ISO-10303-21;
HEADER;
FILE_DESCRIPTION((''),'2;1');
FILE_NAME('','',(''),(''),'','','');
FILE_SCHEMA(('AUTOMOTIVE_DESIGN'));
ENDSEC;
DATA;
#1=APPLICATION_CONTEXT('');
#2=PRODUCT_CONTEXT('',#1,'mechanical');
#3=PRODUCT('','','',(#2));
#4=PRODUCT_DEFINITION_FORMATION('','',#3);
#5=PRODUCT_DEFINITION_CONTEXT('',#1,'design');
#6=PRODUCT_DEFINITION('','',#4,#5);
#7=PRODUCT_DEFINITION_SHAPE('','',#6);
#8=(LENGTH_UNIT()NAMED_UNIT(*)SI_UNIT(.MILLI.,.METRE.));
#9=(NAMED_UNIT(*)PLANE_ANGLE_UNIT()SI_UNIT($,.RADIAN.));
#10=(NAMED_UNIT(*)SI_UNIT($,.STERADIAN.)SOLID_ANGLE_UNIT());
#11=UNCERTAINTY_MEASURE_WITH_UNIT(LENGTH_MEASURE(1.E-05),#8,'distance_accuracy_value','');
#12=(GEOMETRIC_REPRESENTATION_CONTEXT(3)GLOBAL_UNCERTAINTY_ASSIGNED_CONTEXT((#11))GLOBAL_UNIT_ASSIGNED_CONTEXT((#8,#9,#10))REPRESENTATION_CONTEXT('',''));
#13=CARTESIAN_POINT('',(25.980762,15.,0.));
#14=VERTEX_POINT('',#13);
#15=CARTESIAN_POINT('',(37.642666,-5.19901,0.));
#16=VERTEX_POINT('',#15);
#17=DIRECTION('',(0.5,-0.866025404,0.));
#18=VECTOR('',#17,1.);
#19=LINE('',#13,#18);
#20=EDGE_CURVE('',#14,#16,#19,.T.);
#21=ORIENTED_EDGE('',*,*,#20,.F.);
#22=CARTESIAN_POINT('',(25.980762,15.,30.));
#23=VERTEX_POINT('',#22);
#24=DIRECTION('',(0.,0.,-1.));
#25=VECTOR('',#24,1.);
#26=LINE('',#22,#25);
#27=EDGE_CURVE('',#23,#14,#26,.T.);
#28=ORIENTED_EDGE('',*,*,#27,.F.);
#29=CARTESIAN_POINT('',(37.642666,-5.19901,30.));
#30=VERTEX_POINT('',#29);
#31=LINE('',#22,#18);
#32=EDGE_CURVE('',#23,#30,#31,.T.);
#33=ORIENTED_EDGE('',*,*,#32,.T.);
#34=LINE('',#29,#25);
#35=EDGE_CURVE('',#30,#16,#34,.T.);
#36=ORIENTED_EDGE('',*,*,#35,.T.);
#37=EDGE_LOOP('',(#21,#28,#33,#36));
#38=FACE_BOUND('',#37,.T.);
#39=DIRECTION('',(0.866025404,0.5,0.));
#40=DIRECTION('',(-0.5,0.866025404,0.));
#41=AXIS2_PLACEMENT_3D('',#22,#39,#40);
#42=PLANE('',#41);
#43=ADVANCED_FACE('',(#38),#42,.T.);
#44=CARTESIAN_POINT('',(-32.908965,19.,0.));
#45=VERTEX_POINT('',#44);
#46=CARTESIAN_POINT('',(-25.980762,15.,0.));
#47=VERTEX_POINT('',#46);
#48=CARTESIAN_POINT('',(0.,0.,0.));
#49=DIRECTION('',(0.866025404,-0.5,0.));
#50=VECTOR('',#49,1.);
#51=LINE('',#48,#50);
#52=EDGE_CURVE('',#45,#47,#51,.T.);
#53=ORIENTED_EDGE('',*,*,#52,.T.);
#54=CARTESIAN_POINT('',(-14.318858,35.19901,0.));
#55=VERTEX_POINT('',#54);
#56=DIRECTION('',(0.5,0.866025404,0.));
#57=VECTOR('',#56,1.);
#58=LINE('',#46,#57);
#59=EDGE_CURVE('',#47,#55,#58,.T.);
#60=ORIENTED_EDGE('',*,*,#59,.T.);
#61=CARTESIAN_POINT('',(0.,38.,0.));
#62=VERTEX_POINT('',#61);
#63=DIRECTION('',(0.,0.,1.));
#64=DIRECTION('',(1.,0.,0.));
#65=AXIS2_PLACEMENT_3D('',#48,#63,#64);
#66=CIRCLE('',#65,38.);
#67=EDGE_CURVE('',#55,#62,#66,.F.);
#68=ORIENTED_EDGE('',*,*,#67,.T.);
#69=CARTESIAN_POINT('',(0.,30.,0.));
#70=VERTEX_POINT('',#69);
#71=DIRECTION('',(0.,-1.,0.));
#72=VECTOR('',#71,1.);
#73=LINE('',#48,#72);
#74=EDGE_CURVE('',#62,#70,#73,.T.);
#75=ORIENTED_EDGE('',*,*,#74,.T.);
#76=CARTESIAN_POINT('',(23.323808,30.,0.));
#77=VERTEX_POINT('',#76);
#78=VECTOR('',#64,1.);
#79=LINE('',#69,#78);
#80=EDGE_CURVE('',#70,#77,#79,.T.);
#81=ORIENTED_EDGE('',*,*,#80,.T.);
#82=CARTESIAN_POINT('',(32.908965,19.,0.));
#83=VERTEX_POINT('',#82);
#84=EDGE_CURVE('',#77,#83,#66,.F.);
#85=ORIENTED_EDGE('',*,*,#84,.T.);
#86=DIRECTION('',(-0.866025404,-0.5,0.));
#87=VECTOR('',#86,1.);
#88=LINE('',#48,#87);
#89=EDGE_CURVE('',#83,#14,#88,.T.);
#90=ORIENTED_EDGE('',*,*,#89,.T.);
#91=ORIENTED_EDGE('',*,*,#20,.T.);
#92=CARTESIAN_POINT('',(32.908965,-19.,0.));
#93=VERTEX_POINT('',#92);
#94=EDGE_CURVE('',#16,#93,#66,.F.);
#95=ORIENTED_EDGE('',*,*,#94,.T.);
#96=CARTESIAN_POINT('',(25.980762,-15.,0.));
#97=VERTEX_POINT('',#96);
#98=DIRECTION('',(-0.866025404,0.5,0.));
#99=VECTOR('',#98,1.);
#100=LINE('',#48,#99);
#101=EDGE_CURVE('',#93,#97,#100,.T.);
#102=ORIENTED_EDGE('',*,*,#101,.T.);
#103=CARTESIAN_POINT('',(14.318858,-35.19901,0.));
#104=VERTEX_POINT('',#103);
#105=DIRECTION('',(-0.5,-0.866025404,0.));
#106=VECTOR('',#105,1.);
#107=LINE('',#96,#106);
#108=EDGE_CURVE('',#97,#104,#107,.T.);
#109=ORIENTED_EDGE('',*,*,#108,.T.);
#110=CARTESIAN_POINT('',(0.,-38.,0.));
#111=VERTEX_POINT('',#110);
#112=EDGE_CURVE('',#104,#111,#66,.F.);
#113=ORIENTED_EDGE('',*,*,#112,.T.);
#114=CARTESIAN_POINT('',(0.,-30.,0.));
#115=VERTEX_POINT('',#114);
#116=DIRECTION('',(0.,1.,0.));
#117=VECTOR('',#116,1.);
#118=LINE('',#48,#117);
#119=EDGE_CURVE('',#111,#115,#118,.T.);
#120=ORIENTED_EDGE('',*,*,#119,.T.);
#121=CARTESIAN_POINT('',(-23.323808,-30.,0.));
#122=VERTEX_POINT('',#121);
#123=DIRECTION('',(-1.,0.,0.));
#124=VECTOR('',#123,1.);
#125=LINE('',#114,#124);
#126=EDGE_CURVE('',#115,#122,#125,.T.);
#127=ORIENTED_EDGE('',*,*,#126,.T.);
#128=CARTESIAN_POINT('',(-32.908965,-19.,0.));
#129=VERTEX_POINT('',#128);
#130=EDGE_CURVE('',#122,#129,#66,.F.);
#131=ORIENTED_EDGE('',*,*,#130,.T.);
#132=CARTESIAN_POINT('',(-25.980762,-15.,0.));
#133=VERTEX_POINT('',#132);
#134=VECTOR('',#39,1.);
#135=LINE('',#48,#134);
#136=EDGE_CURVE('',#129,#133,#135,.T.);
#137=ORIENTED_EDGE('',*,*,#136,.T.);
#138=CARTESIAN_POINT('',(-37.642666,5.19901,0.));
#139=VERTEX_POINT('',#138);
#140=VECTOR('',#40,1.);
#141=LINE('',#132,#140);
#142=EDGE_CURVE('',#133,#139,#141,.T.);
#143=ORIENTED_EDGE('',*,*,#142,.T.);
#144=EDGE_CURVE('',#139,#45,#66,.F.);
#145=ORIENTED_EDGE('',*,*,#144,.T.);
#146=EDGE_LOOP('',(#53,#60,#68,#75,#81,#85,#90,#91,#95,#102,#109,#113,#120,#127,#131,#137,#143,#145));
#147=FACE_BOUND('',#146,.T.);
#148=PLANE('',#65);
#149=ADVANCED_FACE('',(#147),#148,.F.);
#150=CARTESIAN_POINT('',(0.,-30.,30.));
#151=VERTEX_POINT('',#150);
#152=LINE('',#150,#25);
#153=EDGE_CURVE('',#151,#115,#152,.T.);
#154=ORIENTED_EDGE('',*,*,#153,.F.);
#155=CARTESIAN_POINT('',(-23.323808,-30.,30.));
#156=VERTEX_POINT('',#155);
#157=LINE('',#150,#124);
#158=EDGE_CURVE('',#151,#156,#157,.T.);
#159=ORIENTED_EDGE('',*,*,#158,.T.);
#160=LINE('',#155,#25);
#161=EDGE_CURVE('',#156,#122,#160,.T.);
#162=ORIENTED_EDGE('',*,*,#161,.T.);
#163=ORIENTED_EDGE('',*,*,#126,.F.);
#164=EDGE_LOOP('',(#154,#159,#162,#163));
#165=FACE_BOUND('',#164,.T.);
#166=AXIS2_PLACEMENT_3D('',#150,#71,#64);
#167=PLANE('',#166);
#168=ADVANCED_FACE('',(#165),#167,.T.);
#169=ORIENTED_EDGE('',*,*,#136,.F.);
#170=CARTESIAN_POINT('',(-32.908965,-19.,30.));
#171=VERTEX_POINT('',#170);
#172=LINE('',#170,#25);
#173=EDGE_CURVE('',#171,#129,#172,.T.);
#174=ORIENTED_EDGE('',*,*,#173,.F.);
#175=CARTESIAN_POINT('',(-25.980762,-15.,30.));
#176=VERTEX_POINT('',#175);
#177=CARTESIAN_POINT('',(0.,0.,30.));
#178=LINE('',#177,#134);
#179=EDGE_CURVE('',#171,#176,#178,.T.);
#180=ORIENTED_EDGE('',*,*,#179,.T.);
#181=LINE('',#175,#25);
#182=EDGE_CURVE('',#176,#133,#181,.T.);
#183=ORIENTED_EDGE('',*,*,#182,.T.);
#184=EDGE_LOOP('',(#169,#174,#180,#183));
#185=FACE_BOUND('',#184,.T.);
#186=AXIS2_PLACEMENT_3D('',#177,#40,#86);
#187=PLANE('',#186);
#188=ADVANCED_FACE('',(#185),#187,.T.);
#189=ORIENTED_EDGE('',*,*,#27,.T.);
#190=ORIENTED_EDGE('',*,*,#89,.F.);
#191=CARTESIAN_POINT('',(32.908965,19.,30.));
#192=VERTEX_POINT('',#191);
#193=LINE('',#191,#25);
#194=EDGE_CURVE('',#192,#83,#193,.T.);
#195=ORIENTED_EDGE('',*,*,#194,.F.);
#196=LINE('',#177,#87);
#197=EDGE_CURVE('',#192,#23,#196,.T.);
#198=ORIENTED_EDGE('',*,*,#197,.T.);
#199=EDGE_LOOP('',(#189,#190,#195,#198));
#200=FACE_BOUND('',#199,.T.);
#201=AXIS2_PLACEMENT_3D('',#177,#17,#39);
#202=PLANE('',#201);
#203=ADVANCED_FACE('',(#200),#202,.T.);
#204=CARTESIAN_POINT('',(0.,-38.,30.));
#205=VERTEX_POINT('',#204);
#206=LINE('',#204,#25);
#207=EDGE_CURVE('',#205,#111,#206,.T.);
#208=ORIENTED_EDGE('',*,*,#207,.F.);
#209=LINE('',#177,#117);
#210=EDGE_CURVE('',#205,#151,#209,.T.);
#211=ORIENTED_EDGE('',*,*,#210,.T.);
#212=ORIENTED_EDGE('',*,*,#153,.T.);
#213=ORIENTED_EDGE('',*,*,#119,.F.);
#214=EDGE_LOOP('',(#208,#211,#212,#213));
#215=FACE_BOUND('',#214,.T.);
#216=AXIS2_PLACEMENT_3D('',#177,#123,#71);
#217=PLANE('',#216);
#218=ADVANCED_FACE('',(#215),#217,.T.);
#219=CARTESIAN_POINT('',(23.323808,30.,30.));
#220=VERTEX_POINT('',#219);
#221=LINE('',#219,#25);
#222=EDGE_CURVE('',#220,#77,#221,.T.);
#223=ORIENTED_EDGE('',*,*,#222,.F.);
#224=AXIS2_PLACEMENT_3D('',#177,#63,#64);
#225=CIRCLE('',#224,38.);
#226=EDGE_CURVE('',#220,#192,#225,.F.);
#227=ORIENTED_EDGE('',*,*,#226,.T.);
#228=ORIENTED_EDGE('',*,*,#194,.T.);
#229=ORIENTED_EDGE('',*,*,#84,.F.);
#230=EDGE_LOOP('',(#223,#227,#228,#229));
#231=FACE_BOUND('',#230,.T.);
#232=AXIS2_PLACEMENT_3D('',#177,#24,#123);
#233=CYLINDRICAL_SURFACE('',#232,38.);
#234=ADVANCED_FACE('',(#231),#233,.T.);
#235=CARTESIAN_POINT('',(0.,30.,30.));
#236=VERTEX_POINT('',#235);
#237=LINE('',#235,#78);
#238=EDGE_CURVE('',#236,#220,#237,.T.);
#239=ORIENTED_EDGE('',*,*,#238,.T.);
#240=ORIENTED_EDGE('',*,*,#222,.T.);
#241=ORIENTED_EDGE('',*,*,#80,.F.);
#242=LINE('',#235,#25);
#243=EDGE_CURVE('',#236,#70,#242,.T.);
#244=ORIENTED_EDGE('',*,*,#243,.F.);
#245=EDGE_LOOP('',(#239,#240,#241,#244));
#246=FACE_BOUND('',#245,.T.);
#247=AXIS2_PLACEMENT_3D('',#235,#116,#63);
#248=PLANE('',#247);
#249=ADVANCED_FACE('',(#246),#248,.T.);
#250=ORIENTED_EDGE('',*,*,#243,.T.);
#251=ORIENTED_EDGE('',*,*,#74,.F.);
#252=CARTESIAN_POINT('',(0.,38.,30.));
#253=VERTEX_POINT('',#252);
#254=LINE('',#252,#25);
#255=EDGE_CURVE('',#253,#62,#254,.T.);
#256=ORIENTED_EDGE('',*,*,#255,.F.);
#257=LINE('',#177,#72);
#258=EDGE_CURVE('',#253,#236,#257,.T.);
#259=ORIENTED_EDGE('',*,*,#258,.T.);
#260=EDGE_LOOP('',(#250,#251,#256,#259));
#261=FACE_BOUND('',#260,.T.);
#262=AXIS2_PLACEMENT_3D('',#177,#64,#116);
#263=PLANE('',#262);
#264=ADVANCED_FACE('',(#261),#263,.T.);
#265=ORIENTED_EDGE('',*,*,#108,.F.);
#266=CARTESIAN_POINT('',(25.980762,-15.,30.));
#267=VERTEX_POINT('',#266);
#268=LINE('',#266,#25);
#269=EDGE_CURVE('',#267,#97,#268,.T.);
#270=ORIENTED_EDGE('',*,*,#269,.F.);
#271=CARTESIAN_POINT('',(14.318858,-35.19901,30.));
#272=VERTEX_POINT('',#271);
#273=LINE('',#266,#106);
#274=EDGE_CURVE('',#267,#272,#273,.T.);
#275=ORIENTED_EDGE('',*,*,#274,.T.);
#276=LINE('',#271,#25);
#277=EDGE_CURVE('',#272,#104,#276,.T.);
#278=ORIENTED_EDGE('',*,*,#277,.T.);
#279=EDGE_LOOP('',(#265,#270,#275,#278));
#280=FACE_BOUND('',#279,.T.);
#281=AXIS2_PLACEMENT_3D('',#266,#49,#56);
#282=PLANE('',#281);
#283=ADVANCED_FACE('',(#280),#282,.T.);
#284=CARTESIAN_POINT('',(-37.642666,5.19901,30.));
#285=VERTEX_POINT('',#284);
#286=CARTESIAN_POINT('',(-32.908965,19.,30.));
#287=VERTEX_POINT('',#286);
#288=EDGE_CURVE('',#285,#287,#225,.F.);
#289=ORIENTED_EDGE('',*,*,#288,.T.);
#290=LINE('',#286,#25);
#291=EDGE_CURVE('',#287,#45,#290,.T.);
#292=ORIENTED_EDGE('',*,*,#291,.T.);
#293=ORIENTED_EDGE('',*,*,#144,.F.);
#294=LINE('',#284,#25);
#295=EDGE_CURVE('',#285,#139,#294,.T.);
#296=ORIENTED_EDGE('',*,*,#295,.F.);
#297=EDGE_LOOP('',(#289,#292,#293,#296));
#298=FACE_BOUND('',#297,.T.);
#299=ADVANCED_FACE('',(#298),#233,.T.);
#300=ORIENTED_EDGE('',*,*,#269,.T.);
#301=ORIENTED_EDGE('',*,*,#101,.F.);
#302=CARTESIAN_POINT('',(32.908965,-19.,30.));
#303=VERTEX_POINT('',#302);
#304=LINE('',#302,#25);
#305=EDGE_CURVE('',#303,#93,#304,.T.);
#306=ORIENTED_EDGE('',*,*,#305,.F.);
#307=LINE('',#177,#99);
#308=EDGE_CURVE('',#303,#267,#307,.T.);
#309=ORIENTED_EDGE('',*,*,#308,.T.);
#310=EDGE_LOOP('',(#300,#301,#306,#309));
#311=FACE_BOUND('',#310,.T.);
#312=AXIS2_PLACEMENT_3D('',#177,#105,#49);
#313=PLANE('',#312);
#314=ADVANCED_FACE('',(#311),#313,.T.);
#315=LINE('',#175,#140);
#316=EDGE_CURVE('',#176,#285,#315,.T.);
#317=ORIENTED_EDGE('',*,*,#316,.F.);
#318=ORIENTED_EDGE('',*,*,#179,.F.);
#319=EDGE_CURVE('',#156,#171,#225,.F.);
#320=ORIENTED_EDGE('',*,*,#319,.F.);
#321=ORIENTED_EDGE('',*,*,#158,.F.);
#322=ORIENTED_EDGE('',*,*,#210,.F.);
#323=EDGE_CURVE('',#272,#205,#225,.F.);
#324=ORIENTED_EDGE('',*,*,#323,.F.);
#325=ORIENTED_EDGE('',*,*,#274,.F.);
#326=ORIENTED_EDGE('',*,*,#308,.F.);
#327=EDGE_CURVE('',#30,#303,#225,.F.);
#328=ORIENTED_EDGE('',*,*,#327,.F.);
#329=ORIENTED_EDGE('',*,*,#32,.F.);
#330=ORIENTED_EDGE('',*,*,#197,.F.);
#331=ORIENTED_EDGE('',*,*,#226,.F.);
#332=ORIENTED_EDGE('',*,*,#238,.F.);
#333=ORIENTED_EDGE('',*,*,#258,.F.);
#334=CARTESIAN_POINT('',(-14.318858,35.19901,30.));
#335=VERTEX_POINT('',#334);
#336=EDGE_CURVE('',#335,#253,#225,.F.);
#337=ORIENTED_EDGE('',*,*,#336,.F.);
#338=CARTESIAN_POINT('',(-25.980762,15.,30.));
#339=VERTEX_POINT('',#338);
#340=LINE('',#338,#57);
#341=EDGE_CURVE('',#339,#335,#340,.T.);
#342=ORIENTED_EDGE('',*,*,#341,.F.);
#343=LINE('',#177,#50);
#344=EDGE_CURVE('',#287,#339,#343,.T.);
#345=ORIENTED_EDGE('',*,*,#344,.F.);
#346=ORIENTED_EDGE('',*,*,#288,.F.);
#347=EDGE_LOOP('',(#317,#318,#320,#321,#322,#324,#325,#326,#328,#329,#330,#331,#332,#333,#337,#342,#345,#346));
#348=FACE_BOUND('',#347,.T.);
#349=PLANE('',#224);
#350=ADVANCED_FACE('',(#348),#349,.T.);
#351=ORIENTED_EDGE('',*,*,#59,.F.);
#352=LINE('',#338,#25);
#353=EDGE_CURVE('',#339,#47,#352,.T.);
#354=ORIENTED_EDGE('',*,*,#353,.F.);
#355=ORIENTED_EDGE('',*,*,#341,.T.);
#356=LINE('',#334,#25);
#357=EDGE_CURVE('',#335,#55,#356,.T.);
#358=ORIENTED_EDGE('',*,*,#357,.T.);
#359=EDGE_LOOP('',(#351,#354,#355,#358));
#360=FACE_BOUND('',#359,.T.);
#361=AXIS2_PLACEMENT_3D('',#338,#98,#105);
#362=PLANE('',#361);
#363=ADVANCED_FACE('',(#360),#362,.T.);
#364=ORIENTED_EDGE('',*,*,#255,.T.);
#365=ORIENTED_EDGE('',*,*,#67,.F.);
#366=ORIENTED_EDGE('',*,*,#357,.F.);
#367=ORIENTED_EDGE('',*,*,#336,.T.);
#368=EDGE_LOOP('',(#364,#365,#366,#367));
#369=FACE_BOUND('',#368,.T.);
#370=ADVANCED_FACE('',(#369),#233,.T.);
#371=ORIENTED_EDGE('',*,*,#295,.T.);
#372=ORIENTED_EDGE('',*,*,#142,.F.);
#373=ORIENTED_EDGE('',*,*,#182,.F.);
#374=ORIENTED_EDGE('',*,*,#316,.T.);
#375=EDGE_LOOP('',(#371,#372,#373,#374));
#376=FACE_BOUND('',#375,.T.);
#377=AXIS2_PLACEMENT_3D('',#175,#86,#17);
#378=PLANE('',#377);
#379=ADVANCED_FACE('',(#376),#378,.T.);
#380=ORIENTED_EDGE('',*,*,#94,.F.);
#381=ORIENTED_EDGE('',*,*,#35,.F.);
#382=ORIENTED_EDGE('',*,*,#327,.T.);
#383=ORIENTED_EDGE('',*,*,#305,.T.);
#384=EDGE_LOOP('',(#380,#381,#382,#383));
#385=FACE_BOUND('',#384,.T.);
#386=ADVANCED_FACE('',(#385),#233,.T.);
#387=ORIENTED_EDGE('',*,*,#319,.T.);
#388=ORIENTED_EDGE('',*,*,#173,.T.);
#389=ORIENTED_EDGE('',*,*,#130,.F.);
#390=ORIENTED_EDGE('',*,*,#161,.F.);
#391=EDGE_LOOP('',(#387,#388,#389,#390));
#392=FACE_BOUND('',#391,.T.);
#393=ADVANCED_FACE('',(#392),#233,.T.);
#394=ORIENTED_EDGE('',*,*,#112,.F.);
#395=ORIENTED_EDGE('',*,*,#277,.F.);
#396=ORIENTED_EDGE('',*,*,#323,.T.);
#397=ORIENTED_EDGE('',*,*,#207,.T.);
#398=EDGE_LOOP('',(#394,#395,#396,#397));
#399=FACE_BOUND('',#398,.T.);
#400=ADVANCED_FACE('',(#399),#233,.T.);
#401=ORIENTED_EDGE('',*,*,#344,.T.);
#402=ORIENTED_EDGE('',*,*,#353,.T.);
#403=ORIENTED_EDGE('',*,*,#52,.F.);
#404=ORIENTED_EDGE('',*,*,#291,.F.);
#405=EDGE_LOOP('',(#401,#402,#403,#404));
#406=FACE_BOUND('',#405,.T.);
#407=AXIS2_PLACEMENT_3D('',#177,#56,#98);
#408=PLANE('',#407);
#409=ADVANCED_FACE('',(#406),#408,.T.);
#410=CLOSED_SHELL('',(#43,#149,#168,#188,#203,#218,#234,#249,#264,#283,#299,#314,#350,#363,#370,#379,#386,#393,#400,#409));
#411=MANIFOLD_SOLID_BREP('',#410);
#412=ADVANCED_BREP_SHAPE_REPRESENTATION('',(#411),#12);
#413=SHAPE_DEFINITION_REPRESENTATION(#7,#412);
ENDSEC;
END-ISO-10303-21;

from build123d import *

# Parameters (mm, degrees)
SKETCH1_R           = 30
BOSS_EXTRUDE1_DEPTH = 30


with BuildPart() as part:
    # Sketch1 → Boss-Extrude1 (new body)
    with BuildSketch(Plane.XY):
        with BuildLine():
            ThreePointArc((-25.980762114, 15), (-15, 25.980762114), (0, 30))
            Line((0, 30), (0, 38))
            ThreePointArc((0, 38), (-7.295122504, 37.293178836), (-14.318858324, 35.199009877))
            Line((-14.318858324, 35.199009877), (-25.980762114, 15))
        make_face()
        with BuildLine():
            ThreePointArc((-25.980762114, -15), (-30, 0), (-25.980762114, 15))
            Line((-25.980762114, 15), (-32.908965344, 19))
            ThreePointArc((-32.908965344, 19), (-35.944401511, 12.328828006), (-37.642665903, 5.199009877))
            Line((-37.642665903, 5.199009877), (-25.980762114, -15))
        make_face()
        with BuildLine():
            ThreePointArc((0, -30), (-15, -25.980762114), (-25.980762114, -15))
            Line((-25.980762114, -15), (-32.908965344, -19))
            ThreePointArc((-32.908965344, -19), (-28.649279008, -24.96435083), (-23.323807579, -30))
            Line((-23.323807579, -30), (0, -30))
        make_face()
        with BuildLine():
            Line((14.318858324, -35.199009877), (25.980762114, -15))
            ThreePointArc((25.980762114, -15), (15, -25.980762114), (0, -30))
            Line((0, -30), (0, -38))
            ThreePointArc((0, -38), (7.295122504, -37.293178836), (14.318858324, -35.199009877))
        make_face()
        with BuildLine():
            Line((37.642665903, -5.199009877), (25.980762114, 15))
            ThreePointArc((25.980762114, 15), (28.977774789, 7.764571353), (30, 0))
            ThreePointArc((30, 0), (28.977774789, -7.764571353), (25.980762114, -15))
            Line((25.980762114, -15), (32.908965344, -19))
            ThreePointArc((32.908965344, -19), (35.944401511, -12.328828006), (37.642665903, -5.199009877))
        make_face()
        with BuildLine():
            Line((8.246211251, 30), (0, 30))
            ThreePointArc((0, 30), (15, 25.980762114), (25.980762114, 15))
            Line((25.980762114, 15), (32.908965344, 19))
            ThreePointArc((32.908965344, 19), (28.649279008, 24.96435083), (23.323807579, 30))
            Line((23.323807579, 30), (8.246211251, 30))
        make_face()
        Circle(SKETCH1_R)
    extrude(amount=BOSS_EXTRUDE1_DEPTH)


solid = part.part
